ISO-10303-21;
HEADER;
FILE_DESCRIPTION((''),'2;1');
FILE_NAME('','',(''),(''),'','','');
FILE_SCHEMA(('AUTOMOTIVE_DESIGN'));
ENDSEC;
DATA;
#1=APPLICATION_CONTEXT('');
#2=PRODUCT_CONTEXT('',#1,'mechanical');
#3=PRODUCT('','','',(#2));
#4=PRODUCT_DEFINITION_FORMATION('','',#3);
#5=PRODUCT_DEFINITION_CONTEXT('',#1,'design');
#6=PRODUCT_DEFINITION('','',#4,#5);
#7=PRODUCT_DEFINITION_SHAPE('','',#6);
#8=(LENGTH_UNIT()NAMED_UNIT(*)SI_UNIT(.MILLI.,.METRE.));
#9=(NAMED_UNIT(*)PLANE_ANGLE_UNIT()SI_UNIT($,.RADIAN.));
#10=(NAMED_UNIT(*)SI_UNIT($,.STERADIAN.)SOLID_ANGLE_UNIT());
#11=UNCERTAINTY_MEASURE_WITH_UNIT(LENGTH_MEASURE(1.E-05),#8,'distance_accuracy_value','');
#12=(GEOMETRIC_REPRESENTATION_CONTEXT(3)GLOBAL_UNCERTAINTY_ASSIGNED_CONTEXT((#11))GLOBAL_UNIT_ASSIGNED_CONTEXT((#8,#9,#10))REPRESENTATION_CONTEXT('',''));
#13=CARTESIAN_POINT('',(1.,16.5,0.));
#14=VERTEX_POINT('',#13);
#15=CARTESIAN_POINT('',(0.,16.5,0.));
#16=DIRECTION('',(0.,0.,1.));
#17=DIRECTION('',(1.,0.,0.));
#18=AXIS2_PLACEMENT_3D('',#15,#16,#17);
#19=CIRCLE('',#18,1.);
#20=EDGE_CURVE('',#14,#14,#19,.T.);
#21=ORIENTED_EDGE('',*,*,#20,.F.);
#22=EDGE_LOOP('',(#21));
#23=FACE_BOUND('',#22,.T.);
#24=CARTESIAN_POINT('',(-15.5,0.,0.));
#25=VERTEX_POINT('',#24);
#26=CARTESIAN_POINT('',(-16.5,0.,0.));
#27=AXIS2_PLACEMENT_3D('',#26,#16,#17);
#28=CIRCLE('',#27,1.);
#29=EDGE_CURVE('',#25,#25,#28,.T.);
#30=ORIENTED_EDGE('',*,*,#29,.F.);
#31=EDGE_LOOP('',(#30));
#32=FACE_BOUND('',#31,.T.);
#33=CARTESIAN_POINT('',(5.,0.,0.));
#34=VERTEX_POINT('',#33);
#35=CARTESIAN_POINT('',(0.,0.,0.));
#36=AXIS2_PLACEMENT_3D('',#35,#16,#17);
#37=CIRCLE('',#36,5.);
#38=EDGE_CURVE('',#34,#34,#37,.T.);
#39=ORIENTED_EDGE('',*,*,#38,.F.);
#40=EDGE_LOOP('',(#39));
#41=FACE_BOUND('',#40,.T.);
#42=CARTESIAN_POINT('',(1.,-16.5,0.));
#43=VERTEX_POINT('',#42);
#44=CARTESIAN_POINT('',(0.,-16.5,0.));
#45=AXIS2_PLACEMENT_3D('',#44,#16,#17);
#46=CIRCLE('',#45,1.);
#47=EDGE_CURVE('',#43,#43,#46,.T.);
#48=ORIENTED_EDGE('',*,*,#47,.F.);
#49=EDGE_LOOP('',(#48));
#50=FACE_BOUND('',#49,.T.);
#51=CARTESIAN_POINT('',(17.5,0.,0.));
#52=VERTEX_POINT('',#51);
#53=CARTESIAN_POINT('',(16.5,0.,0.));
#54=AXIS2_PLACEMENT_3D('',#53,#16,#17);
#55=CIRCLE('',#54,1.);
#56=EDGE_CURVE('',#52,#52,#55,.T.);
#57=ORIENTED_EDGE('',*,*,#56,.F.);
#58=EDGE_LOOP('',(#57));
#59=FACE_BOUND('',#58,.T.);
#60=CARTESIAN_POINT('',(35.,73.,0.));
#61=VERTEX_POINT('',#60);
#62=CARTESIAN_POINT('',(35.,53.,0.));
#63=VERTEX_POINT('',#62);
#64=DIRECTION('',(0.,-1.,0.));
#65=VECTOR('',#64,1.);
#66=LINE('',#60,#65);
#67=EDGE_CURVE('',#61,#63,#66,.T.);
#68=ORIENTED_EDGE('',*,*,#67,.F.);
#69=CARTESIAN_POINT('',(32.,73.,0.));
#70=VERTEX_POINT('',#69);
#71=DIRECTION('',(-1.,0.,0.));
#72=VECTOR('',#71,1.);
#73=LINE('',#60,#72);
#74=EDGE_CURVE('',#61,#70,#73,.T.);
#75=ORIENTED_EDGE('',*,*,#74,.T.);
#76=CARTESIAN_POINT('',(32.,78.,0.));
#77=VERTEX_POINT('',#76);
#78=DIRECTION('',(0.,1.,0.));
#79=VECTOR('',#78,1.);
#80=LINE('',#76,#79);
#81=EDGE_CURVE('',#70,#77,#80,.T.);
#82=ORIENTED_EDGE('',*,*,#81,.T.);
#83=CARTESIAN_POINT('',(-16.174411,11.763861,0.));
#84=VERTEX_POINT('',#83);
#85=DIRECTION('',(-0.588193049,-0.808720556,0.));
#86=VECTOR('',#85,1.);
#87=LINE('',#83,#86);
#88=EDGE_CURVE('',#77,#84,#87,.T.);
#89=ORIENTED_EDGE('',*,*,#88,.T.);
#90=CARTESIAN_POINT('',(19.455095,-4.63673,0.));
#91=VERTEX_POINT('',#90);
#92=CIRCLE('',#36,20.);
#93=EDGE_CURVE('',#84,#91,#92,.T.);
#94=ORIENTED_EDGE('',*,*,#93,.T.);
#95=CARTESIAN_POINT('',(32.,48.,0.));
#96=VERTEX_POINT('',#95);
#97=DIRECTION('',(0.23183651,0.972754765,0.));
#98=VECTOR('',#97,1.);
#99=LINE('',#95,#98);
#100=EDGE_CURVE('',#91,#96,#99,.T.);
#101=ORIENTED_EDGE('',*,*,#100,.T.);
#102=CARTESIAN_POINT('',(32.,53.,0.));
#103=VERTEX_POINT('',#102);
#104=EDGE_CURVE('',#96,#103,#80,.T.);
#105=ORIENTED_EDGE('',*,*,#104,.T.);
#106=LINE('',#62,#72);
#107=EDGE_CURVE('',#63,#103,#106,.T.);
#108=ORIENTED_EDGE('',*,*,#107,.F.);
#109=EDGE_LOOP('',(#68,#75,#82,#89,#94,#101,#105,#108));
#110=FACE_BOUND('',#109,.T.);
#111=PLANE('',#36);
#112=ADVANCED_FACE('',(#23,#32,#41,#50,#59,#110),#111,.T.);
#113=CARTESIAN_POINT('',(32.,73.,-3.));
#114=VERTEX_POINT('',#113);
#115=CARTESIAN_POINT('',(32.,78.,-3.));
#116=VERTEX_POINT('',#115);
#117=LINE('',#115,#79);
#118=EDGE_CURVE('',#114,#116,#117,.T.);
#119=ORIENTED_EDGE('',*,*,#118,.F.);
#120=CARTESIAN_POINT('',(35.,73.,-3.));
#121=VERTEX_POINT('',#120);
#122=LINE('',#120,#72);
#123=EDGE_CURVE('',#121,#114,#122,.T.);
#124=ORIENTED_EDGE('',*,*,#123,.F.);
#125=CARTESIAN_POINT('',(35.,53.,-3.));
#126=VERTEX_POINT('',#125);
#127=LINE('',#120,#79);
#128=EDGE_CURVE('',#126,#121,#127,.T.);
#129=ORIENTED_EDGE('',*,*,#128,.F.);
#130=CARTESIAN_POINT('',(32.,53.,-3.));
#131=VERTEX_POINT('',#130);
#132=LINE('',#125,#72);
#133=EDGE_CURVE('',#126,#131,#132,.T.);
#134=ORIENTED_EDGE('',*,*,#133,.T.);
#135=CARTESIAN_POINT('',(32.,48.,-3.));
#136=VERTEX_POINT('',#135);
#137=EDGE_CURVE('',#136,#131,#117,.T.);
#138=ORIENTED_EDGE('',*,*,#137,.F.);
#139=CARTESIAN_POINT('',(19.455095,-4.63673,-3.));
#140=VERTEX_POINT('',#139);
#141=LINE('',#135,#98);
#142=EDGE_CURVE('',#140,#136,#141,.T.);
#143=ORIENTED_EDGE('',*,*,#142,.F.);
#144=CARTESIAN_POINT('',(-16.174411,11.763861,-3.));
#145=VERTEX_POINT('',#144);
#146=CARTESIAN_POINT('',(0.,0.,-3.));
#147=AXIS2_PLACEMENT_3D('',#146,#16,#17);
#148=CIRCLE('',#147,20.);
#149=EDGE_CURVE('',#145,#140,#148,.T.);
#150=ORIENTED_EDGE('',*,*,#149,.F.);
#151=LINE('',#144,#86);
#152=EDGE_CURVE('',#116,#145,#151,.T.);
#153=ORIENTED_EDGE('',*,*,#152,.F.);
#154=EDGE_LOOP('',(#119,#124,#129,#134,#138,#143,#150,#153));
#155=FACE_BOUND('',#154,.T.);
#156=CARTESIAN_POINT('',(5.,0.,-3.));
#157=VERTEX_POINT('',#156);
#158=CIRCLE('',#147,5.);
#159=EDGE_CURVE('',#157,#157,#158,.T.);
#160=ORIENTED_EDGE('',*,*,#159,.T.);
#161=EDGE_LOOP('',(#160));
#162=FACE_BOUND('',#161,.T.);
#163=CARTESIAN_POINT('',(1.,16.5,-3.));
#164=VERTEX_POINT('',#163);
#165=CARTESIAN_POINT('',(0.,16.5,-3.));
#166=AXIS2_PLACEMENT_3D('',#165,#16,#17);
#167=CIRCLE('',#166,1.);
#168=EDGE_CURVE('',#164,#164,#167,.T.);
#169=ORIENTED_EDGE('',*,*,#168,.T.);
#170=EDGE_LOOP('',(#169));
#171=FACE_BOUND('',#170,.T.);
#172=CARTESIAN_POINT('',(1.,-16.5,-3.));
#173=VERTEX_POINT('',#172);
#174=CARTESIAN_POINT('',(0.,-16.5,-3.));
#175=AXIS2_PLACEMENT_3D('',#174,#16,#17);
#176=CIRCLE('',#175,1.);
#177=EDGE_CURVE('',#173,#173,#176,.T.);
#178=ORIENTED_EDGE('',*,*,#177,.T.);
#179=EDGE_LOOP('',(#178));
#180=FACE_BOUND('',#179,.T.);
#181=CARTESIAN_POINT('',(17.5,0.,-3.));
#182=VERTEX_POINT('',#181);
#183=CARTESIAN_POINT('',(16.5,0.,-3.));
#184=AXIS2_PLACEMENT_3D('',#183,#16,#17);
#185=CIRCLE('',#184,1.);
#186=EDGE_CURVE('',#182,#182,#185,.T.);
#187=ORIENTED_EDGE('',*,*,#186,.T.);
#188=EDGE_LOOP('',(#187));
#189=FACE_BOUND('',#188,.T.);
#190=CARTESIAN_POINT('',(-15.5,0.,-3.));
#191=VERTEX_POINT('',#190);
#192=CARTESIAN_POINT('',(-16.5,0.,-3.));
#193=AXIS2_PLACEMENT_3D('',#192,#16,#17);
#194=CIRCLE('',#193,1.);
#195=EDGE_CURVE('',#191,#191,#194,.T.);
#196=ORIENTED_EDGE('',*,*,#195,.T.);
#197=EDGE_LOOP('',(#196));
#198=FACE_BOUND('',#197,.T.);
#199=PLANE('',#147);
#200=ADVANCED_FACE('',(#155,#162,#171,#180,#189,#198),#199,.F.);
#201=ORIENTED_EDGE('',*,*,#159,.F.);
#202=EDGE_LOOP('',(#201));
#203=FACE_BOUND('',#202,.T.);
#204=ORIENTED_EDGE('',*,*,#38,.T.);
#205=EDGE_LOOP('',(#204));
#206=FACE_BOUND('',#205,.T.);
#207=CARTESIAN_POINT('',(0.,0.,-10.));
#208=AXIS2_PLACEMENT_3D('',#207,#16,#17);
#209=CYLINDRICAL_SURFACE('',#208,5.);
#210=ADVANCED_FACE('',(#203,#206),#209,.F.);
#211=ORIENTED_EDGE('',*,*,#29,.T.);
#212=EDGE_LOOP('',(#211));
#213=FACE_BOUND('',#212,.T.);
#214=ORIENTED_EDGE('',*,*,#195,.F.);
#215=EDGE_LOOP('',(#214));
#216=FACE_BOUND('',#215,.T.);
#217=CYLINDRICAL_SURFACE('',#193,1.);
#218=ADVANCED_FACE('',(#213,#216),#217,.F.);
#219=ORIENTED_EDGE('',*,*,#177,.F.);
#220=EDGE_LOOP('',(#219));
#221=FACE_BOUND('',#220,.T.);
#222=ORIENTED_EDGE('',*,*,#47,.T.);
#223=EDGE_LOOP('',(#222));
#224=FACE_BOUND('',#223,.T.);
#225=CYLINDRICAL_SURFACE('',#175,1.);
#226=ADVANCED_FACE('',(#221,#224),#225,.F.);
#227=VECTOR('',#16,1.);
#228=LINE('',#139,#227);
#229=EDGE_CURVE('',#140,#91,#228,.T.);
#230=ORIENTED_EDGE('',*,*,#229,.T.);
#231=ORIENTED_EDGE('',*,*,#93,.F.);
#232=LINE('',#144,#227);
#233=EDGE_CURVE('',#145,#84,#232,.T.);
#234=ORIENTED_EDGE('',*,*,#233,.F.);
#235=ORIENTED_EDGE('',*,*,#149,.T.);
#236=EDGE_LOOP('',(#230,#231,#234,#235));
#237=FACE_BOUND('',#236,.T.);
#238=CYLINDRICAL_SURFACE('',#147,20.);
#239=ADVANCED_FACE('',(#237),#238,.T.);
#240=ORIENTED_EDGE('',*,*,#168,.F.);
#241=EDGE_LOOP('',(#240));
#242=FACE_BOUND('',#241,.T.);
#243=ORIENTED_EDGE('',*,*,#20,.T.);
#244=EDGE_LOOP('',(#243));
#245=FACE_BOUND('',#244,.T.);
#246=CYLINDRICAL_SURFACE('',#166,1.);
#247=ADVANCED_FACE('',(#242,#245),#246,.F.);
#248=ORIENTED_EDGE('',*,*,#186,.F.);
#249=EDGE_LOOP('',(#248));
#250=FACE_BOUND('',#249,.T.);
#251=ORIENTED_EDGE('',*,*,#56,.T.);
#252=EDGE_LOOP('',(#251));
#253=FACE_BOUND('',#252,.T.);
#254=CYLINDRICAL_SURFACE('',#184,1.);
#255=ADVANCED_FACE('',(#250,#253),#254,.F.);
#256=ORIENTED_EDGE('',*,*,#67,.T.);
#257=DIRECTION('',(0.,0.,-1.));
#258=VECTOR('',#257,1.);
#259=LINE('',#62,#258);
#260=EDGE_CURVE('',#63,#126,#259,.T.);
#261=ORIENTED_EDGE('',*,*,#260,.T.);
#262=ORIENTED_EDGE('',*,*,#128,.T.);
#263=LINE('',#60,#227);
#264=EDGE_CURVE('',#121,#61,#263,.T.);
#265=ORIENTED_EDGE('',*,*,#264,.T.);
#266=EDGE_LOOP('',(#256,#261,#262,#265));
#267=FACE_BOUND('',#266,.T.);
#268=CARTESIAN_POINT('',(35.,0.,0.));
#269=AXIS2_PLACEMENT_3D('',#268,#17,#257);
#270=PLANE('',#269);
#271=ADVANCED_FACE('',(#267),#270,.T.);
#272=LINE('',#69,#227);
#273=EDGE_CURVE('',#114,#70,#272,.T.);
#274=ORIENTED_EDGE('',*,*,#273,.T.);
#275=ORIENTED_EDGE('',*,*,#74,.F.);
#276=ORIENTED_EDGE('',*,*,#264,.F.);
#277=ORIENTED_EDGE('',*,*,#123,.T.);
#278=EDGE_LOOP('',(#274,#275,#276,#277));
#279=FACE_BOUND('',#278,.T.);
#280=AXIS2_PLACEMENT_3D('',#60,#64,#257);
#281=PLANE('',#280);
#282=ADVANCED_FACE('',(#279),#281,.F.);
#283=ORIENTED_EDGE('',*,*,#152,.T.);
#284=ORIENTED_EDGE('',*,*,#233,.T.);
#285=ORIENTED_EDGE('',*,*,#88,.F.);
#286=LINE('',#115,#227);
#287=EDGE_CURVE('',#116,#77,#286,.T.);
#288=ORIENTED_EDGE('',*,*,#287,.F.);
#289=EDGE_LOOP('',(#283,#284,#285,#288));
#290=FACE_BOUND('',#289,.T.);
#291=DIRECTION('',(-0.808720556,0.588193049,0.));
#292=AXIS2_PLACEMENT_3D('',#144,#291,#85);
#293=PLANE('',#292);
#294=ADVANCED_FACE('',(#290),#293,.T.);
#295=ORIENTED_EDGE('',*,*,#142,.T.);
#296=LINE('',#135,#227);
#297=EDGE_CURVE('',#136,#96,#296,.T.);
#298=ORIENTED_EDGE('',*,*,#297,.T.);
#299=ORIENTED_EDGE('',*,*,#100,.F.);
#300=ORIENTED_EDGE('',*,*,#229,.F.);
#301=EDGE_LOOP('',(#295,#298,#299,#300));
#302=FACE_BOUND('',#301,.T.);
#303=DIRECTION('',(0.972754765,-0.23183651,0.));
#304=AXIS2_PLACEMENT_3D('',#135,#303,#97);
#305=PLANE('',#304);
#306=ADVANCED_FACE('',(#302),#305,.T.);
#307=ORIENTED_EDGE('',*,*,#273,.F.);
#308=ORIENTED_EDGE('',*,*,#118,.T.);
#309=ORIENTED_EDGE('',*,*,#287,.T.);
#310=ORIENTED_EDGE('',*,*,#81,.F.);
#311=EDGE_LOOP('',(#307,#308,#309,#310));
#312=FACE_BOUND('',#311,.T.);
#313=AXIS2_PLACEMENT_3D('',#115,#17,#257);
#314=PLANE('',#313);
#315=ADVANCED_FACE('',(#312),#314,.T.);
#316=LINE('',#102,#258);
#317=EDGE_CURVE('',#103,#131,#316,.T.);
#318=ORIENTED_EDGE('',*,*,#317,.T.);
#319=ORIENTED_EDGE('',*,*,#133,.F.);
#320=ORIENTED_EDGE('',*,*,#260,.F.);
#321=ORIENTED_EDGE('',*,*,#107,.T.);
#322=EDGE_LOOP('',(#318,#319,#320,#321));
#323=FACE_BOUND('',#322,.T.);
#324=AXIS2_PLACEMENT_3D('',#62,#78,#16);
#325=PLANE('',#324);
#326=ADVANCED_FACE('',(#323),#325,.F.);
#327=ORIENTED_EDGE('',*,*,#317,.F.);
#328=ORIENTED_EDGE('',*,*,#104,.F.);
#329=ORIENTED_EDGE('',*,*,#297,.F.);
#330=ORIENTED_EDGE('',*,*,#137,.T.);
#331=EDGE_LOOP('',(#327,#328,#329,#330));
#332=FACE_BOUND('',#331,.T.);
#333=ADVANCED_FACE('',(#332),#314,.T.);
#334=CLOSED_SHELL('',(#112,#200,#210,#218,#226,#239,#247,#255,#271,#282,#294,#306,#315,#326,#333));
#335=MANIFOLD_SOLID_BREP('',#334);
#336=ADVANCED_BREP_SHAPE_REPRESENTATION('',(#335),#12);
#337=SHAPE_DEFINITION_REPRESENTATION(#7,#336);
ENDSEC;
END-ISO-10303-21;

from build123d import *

# Parameters (mm, degrees)
SKETCH1_R           = 1
BOSS_EXTRUDE1_DEPTH = 3
SKETCH2_R           = 5
CUT_EXTRUDE1_DEPTH  = 10
SKETCH4_W           = 3
SKETCH4_H           = 20
BOSS_EXTRUDE3_DEPTH = 3


with BuildPart() as part:
    # Sketch1 → Boss-Extrude1 (new body)
    with BuildSketch(Plane.XY):
        with BuildLine():
            Line((-16.174411119, 11.763860972), (32, 78))
            Line((32, 78), (32, 48))
            Line((32, 48), (19.455095298, -4.636730199))
            ThreePointArc((19.455095298, -4.636730199), (-8.362748941, -18.167675419), (-16.174411119, 11.763860972))
        make_face()
        with Locations((0, 16.5)):
            Circle(SKETCH1_R, mode=Mode.SUBTRACT)
        with Locations((-16.5, 0)):
            Circle(SKETCH1_R, mode=Mode.SUBTRACT)
        with Locations((0, -16.5)):
            Circle(SKETCH1_R, mode=Mode.SUBTRACT)
        with Locations((16.5, 0)):
            Circle(SKETCH1_R, mode=Mode.SUBTRACT)
    extrude(amount=-BOSS_EXTRUDE1_DEPTH)

    # Sketch2 → Cut-Extrude1 (cut)
    with BuildSketch(Plane.XY):
        Circle(SKETCH2_R)
    extrude(amount=-CUT_EXTRUDE1_DEPTH, mode=Mode.SUBTRACT)

    # Sketch4 → Boss-Extrude3 (add)
    with BuildSketch(Plane(origin=(32, 0, 0), x_dir=(0, 0, -1), z_dir=(1, 0, 0))):
        with Locations((1.5, 63)):
            Rectangle(SKETCH4_W, SKETCH4_H)
    extrude(amount=BOSS_EXTRUDE3_DEPTH)


solid = part.part
